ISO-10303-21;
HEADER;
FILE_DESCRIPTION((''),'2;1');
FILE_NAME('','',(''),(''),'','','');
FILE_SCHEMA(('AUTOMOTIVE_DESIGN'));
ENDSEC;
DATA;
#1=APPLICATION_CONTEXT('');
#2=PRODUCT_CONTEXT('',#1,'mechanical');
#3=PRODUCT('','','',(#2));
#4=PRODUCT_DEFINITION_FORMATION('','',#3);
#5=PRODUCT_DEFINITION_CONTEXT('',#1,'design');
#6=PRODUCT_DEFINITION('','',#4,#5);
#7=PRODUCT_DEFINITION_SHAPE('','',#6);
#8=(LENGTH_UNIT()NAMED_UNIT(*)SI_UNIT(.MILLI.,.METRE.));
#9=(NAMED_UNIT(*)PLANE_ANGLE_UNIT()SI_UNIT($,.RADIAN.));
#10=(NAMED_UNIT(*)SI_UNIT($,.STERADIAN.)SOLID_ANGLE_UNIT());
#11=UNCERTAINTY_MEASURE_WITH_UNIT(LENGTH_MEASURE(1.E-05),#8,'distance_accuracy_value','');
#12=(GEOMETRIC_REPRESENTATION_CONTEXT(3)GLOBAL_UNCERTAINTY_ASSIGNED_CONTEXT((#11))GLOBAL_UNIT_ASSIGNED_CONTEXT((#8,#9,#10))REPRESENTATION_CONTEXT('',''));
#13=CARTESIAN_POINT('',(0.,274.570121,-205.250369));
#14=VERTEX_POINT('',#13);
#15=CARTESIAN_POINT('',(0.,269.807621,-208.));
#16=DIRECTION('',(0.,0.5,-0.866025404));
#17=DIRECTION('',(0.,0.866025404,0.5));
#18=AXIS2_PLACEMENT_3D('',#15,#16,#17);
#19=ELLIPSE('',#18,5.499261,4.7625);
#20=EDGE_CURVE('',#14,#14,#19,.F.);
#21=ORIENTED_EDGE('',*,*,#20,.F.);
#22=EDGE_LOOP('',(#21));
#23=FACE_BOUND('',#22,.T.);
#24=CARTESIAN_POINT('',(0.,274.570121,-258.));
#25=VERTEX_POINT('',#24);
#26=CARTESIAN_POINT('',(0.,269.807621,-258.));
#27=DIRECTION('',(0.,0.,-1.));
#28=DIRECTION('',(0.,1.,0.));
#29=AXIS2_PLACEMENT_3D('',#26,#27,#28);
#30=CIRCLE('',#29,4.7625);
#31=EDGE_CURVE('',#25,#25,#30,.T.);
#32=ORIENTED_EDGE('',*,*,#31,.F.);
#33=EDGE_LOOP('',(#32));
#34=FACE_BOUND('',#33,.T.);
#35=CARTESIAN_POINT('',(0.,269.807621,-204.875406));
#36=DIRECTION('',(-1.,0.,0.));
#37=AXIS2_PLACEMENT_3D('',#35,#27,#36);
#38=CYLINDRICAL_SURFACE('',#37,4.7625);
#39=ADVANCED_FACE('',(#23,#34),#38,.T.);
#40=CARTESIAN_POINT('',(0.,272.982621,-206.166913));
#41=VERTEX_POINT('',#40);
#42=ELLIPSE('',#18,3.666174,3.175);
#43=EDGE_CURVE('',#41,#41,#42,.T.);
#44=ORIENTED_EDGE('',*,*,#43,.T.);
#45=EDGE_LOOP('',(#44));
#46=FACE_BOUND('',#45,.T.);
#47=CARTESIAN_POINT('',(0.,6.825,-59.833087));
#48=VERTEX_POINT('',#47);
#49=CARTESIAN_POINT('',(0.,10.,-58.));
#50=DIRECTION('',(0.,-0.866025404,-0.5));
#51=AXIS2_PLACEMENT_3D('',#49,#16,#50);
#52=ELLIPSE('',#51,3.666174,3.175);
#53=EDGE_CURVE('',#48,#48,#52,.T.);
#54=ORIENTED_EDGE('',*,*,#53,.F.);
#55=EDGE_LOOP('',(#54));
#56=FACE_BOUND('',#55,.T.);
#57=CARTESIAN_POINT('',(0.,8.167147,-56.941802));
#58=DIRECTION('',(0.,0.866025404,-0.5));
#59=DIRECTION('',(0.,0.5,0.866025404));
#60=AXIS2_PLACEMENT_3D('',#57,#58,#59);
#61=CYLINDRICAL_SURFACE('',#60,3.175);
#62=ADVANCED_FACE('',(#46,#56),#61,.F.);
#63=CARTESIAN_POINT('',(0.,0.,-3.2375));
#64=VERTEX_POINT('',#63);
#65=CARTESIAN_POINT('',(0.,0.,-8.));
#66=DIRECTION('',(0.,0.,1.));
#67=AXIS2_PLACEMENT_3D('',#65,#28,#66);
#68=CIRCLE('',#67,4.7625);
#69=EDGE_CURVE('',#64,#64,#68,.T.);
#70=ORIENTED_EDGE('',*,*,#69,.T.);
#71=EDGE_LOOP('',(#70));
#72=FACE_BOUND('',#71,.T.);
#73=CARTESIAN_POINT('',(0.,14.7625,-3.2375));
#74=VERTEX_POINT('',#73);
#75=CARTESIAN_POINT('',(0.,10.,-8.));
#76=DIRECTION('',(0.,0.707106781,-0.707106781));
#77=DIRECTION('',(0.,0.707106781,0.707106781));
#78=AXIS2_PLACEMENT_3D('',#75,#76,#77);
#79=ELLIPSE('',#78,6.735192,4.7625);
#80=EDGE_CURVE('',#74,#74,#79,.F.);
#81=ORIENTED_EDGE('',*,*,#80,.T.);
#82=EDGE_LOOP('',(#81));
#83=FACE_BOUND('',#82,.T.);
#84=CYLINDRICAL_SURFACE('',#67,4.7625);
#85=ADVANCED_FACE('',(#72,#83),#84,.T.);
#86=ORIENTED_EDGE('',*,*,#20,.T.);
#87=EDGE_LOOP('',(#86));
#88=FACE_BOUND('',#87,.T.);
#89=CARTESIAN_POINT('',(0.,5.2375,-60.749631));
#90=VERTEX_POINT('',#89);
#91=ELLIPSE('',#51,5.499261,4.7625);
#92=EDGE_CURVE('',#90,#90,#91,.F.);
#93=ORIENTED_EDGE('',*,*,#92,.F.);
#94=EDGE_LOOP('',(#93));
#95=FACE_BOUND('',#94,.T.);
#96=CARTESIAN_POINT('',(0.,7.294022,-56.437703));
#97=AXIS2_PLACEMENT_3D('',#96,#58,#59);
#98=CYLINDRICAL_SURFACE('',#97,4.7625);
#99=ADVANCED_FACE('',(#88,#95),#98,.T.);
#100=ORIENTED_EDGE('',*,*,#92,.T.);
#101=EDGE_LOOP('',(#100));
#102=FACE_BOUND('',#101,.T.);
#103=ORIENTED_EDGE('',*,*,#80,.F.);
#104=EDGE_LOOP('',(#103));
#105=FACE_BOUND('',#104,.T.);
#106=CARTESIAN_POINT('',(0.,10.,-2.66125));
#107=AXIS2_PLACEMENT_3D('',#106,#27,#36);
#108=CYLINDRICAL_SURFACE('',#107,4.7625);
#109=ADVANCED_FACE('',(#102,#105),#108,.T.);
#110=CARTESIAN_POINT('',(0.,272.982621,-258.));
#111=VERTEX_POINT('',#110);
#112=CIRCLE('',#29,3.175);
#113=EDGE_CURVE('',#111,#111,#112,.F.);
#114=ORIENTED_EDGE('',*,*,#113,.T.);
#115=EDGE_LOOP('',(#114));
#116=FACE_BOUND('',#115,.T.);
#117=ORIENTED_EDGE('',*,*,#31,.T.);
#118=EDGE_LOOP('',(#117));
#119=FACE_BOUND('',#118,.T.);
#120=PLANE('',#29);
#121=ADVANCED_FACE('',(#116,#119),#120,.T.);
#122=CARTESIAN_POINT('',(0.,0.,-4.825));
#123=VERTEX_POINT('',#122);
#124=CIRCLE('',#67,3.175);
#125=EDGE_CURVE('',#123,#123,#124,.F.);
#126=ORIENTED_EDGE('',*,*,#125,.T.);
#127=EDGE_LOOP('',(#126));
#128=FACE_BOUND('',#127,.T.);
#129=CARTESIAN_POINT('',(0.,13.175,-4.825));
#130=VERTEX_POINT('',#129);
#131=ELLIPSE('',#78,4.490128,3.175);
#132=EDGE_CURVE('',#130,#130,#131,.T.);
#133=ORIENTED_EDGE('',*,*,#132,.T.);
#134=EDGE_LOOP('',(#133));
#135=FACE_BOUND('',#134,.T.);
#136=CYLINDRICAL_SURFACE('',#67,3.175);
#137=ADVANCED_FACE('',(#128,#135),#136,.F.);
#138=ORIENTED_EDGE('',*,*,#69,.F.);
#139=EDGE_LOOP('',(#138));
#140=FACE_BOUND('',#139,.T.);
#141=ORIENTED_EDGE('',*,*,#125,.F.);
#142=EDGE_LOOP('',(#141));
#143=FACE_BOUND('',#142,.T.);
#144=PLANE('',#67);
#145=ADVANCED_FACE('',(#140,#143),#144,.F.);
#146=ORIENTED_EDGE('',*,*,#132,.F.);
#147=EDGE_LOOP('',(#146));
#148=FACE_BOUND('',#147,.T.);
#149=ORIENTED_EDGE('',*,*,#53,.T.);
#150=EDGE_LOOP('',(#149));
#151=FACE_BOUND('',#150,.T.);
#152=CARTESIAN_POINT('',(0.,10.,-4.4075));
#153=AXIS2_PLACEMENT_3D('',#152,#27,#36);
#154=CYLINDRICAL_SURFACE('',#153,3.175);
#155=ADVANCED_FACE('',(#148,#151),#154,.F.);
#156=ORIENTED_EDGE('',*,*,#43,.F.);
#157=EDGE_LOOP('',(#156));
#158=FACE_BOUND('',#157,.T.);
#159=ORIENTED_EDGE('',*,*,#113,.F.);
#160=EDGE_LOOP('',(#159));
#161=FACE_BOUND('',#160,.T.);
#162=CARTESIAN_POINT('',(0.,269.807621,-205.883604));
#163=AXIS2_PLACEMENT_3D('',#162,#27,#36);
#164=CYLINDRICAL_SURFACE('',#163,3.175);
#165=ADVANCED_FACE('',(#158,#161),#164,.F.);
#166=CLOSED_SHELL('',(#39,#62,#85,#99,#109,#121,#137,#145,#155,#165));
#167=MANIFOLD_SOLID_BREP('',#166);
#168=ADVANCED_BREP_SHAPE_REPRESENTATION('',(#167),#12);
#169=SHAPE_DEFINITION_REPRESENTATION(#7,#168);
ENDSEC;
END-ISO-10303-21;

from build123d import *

# Parameters (mm, degrees)
SKETCH2_R   = 4.7625
SKETCH2_R_2 = 3.175


with BuildPart() as part:
    # Sweep2: sweep along a path in Sketch4
    with BuildLine(Plane(origin=(0, 0, 0), x_dir=(0, 0, -1), z_dir=(1, 0, 0))) as sweep2_path:
        Line((8, 0), (8, 10))
        Line((8, 10), (58, 10))
        Line((58, 10), (208, 269.807621135))
        Line((208, 269.807621135), (258, 269.807621135))
    # Sketch2 → Sweep2 (sweep)
    with BuildSketch(Plane(origin=(0, 0, 0), x_dir=(1, 0, 0), z_dir=(0, 1, 0))):
        with Locations((0, 8)):
            Circle(SKETCH2_R)
        with Locations((0, 8)):
            Circle(SKETCH2_R_2, mode=Mode.SUBTRACT)
    sweep(path=sweep2_path.line, transition=Transition.RIGHT)


solid = part.part
